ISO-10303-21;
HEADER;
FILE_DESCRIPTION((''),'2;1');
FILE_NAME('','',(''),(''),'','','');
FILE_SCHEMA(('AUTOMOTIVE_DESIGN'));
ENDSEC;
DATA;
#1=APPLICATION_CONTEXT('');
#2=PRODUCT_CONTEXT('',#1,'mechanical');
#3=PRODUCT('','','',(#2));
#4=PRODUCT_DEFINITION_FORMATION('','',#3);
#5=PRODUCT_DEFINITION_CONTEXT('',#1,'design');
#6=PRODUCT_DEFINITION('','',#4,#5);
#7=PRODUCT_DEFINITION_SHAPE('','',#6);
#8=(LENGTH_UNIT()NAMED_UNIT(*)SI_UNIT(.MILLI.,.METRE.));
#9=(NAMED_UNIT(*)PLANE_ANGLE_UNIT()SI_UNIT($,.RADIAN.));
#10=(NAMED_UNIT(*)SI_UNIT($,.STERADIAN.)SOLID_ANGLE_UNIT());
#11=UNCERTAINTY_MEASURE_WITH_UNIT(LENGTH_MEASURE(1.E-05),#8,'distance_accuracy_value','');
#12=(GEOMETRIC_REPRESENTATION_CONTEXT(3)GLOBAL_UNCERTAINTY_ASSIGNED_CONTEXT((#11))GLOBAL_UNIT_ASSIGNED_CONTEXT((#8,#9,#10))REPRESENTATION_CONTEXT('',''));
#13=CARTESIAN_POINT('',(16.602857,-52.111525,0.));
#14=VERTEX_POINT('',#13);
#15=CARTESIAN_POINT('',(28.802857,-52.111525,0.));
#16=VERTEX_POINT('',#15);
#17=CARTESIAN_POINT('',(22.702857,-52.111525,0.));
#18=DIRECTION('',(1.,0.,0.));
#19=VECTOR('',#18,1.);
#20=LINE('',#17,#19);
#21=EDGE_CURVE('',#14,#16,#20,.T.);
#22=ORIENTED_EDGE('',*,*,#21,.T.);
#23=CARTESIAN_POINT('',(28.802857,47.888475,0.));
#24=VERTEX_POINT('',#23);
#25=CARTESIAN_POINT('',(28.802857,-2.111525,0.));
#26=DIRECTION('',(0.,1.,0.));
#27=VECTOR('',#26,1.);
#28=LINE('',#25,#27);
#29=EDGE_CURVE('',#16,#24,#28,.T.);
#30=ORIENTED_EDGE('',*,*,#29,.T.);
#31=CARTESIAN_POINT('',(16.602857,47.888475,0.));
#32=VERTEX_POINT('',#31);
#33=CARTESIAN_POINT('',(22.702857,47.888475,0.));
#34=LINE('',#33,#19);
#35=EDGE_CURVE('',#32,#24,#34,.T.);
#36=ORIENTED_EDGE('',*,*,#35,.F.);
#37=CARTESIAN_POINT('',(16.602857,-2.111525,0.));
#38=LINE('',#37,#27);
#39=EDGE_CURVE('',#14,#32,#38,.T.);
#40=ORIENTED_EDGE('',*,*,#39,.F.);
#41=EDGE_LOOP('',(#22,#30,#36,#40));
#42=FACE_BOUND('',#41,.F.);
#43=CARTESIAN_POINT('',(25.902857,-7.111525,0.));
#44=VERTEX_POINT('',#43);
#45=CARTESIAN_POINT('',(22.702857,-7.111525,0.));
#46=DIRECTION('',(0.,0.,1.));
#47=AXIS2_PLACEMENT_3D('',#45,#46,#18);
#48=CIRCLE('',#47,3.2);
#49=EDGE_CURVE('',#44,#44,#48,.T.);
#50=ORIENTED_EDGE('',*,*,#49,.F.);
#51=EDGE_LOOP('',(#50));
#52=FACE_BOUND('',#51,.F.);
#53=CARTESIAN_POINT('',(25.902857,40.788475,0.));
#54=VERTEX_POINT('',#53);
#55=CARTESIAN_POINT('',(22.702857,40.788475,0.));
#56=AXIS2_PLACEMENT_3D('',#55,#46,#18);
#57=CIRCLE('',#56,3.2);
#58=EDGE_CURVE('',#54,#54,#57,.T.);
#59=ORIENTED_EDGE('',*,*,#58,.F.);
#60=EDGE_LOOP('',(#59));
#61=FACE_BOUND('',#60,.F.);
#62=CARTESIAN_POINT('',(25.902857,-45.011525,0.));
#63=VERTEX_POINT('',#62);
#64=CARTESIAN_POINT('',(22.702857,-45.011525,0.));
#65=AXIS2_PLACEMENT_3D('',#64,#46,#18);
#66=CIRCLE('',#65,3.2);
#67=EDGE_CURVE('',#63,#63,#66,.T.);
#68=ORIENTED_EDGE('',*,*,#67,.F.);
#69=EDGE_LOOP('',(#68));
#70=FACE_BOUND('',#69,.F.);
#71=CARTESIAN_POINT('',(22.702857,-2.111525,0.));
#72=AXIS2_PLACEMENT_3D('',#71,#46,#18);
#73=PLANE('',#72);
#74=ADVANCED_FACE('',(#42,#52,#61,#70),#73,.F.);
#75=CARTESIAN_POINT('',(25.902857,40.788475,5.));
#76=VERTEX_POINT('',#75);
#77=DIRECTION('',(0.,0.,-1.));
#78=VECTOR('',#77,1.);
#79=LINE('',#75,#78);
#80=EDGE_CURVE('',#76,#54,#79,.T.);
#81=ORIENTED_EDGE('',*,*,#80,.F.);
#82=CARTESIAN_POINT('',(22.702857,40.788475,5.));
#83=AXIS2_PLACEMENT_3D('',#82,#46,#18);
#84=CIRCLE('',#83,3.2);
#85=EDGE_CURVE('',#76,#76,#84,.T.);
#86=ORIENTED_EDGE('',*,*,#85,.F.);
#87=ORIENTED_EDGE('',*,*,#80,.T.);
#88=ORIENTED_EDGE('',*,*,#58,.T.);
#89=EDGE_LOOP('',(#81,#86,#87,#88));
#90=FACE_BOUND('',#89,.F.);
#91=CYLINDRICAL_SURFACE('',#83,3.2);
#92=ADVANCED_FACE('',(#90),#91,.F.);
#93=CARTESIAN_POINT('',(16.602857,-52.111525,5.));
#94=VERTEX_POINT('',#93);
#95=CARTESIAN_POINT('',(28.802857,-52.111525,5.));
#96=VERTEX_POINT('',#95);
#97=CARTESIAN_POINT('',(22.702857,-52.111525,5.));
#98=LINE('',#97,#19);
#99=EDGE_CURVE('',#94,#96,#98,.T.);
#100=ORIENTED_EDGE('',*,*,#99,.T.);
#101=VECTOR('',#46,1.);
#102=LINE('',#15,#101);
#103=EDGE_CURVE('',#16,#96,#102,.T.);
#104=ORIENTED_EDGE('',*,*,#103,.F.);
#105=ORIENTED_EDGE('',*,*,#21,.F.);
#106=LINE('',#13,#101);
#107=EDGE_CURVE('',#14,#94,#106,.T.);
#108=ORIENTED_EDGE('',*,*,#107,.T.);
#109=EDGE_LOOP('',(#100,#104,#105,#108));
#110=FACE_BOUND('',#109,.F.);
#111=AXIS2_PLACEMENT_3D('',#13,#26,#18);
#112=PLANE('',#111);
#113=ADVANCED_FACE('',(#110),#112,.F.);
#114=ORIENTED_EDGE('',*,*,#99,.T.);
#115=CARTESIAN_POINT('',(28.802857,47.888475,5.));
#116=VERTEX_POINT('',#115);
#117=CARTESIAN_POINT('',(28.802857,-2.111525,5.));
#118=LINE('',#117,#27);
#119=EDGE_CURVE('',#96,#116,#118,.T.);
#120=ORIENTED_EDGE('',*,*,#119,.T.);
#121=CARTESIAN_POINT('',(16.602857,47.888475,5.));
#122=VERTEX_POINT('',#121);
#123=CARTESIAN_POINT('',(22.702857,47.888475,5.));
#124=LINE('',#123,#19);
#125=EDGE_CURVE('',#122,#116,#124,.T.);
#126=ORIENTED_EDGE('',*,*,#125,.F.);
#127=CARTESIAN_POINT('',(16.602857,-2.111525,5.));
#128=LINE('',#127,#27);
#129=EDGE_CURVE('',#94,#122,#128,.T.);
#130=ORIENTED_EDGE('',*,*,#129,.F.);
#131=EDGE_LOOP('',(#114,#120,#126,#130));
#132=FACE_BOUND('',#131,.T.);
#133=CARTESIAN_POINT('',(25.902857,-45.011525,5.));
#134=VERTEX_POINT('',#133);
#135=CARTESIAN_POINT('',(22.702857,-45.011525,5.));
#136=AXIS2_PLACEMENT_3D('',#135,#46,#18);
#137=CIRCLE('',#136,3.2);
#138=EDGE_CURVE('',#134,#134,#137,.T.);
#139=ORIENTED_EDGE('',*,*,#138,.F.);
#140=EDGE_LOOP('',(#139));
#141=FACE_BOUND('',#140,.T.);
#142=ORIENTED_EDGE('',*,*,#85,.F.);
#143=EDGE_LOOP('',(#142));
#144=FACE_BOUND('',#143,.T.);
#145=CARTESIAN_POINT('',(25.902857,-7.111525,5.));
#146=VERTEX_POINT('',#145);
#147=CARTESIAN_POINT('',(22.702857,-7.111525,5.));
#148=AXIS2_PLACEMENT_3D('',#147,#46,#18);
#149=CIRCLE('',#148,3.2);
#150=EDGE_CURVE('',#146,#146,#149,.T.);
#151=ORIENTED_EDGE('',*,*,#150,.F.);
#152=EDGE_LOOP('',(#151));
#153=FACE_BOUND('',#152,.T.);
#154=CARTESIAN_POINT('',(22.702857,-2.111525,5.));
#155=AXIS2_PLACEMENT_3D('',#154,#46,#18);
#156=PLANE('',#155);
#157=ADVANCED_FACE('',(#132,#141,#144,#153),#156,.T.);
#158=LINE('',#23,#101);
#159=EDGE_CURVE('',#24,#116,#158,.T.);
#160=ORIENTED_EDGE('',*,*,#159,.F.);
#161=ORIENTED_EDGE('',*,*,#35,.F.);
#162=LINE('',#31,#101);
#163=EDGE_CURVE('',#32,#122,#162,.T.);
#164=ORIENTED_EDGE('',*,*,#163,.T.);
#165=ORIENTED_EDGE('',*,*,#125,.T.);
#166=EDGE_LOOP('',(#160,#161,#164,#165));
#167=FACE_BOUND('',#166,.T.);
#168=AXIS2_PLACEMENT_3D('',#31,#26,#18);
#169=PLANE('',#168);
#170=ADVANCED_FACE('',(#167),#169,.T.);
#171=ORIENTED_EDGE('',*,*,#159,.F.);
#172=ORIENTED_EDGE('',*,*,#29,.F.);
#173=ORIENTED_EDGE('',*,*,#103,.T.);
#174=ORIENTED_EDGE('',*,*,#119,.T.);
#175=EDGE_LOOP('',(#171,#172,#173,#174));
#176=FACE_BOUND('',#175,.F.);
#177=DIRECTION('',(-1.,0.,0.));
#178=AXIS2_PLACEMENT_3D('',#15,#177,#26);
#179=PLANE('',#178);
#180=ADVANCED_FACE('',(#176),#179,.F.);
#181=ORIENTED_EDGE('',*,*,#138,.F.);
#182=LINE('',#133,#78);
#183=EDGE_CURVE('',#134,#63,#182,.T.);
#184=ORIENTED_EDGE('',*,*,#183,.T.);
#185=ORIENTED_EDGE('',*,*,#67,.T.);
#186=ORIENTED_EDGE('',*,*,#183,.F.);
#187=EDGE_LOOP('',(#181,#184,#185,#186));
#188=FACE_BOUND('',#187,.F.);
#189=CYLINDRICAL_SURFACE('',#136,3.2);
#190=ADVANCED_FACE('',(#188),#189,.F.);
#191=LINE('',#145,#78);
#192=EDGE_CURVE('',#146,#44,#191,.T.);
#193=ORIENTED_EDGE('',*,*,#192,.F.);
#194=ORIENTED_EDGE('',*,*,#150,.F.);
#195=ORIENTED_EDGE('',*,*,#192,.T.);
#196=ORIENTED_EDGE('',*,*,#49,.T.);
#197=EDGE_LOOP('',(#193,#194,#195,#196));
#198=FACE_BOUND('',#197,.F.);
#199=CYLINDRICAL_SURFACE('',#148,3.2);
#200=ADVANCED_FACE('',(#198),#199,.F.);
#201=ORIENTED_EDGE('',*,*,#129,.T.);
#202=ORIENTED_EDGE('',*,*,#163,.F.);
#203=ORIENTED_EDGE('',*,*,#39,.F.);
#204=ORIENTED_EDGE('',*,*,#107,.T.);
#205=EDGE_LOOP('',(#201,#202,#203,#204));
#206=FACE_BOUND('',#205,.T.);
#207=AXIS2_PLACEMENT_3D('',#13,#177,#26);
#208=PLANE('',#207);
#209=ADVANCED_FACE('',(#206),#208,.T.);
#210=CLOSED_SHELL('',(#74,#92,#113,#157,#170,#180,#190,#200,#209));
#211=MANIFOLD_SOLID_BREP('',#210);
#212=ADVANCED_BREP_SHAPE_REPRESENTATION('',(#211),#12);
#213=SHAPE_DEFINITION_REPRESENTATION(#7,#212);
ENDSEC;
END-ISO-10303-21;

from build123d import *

# Parameters (mm, degrees)
F0_W     = 12.2
F0_H     = 100
F1_DEPTH = 5
F2_R     = 3.2
F3_DEPTH = 6


with BuildPart() as f1:
    # F0 (on Top) → F1 (new body)
    with BuildSketch(Plane.XY):
        with Locations((22.702857, -2.111525)):
            Rectangle(F0_W, F0_H)
    extrude(amount=F1_DEPTH)

    # F2 (on face) → F3 (cut)
    with BuildSketch(Plane.XY.offset(5)):
        with Locations((22.702857, -45.011525)):
            Circle(F2_R)
        with Locations((22.702857, -7.111525)):
            Circle(F2_R)
        with Locations((22.702857, 40.788475)):
            Circle(F2_R)
    extrude(amount=-F3_DEPTH, mode=Mode.SUBTRACT)


solid = f1.part
